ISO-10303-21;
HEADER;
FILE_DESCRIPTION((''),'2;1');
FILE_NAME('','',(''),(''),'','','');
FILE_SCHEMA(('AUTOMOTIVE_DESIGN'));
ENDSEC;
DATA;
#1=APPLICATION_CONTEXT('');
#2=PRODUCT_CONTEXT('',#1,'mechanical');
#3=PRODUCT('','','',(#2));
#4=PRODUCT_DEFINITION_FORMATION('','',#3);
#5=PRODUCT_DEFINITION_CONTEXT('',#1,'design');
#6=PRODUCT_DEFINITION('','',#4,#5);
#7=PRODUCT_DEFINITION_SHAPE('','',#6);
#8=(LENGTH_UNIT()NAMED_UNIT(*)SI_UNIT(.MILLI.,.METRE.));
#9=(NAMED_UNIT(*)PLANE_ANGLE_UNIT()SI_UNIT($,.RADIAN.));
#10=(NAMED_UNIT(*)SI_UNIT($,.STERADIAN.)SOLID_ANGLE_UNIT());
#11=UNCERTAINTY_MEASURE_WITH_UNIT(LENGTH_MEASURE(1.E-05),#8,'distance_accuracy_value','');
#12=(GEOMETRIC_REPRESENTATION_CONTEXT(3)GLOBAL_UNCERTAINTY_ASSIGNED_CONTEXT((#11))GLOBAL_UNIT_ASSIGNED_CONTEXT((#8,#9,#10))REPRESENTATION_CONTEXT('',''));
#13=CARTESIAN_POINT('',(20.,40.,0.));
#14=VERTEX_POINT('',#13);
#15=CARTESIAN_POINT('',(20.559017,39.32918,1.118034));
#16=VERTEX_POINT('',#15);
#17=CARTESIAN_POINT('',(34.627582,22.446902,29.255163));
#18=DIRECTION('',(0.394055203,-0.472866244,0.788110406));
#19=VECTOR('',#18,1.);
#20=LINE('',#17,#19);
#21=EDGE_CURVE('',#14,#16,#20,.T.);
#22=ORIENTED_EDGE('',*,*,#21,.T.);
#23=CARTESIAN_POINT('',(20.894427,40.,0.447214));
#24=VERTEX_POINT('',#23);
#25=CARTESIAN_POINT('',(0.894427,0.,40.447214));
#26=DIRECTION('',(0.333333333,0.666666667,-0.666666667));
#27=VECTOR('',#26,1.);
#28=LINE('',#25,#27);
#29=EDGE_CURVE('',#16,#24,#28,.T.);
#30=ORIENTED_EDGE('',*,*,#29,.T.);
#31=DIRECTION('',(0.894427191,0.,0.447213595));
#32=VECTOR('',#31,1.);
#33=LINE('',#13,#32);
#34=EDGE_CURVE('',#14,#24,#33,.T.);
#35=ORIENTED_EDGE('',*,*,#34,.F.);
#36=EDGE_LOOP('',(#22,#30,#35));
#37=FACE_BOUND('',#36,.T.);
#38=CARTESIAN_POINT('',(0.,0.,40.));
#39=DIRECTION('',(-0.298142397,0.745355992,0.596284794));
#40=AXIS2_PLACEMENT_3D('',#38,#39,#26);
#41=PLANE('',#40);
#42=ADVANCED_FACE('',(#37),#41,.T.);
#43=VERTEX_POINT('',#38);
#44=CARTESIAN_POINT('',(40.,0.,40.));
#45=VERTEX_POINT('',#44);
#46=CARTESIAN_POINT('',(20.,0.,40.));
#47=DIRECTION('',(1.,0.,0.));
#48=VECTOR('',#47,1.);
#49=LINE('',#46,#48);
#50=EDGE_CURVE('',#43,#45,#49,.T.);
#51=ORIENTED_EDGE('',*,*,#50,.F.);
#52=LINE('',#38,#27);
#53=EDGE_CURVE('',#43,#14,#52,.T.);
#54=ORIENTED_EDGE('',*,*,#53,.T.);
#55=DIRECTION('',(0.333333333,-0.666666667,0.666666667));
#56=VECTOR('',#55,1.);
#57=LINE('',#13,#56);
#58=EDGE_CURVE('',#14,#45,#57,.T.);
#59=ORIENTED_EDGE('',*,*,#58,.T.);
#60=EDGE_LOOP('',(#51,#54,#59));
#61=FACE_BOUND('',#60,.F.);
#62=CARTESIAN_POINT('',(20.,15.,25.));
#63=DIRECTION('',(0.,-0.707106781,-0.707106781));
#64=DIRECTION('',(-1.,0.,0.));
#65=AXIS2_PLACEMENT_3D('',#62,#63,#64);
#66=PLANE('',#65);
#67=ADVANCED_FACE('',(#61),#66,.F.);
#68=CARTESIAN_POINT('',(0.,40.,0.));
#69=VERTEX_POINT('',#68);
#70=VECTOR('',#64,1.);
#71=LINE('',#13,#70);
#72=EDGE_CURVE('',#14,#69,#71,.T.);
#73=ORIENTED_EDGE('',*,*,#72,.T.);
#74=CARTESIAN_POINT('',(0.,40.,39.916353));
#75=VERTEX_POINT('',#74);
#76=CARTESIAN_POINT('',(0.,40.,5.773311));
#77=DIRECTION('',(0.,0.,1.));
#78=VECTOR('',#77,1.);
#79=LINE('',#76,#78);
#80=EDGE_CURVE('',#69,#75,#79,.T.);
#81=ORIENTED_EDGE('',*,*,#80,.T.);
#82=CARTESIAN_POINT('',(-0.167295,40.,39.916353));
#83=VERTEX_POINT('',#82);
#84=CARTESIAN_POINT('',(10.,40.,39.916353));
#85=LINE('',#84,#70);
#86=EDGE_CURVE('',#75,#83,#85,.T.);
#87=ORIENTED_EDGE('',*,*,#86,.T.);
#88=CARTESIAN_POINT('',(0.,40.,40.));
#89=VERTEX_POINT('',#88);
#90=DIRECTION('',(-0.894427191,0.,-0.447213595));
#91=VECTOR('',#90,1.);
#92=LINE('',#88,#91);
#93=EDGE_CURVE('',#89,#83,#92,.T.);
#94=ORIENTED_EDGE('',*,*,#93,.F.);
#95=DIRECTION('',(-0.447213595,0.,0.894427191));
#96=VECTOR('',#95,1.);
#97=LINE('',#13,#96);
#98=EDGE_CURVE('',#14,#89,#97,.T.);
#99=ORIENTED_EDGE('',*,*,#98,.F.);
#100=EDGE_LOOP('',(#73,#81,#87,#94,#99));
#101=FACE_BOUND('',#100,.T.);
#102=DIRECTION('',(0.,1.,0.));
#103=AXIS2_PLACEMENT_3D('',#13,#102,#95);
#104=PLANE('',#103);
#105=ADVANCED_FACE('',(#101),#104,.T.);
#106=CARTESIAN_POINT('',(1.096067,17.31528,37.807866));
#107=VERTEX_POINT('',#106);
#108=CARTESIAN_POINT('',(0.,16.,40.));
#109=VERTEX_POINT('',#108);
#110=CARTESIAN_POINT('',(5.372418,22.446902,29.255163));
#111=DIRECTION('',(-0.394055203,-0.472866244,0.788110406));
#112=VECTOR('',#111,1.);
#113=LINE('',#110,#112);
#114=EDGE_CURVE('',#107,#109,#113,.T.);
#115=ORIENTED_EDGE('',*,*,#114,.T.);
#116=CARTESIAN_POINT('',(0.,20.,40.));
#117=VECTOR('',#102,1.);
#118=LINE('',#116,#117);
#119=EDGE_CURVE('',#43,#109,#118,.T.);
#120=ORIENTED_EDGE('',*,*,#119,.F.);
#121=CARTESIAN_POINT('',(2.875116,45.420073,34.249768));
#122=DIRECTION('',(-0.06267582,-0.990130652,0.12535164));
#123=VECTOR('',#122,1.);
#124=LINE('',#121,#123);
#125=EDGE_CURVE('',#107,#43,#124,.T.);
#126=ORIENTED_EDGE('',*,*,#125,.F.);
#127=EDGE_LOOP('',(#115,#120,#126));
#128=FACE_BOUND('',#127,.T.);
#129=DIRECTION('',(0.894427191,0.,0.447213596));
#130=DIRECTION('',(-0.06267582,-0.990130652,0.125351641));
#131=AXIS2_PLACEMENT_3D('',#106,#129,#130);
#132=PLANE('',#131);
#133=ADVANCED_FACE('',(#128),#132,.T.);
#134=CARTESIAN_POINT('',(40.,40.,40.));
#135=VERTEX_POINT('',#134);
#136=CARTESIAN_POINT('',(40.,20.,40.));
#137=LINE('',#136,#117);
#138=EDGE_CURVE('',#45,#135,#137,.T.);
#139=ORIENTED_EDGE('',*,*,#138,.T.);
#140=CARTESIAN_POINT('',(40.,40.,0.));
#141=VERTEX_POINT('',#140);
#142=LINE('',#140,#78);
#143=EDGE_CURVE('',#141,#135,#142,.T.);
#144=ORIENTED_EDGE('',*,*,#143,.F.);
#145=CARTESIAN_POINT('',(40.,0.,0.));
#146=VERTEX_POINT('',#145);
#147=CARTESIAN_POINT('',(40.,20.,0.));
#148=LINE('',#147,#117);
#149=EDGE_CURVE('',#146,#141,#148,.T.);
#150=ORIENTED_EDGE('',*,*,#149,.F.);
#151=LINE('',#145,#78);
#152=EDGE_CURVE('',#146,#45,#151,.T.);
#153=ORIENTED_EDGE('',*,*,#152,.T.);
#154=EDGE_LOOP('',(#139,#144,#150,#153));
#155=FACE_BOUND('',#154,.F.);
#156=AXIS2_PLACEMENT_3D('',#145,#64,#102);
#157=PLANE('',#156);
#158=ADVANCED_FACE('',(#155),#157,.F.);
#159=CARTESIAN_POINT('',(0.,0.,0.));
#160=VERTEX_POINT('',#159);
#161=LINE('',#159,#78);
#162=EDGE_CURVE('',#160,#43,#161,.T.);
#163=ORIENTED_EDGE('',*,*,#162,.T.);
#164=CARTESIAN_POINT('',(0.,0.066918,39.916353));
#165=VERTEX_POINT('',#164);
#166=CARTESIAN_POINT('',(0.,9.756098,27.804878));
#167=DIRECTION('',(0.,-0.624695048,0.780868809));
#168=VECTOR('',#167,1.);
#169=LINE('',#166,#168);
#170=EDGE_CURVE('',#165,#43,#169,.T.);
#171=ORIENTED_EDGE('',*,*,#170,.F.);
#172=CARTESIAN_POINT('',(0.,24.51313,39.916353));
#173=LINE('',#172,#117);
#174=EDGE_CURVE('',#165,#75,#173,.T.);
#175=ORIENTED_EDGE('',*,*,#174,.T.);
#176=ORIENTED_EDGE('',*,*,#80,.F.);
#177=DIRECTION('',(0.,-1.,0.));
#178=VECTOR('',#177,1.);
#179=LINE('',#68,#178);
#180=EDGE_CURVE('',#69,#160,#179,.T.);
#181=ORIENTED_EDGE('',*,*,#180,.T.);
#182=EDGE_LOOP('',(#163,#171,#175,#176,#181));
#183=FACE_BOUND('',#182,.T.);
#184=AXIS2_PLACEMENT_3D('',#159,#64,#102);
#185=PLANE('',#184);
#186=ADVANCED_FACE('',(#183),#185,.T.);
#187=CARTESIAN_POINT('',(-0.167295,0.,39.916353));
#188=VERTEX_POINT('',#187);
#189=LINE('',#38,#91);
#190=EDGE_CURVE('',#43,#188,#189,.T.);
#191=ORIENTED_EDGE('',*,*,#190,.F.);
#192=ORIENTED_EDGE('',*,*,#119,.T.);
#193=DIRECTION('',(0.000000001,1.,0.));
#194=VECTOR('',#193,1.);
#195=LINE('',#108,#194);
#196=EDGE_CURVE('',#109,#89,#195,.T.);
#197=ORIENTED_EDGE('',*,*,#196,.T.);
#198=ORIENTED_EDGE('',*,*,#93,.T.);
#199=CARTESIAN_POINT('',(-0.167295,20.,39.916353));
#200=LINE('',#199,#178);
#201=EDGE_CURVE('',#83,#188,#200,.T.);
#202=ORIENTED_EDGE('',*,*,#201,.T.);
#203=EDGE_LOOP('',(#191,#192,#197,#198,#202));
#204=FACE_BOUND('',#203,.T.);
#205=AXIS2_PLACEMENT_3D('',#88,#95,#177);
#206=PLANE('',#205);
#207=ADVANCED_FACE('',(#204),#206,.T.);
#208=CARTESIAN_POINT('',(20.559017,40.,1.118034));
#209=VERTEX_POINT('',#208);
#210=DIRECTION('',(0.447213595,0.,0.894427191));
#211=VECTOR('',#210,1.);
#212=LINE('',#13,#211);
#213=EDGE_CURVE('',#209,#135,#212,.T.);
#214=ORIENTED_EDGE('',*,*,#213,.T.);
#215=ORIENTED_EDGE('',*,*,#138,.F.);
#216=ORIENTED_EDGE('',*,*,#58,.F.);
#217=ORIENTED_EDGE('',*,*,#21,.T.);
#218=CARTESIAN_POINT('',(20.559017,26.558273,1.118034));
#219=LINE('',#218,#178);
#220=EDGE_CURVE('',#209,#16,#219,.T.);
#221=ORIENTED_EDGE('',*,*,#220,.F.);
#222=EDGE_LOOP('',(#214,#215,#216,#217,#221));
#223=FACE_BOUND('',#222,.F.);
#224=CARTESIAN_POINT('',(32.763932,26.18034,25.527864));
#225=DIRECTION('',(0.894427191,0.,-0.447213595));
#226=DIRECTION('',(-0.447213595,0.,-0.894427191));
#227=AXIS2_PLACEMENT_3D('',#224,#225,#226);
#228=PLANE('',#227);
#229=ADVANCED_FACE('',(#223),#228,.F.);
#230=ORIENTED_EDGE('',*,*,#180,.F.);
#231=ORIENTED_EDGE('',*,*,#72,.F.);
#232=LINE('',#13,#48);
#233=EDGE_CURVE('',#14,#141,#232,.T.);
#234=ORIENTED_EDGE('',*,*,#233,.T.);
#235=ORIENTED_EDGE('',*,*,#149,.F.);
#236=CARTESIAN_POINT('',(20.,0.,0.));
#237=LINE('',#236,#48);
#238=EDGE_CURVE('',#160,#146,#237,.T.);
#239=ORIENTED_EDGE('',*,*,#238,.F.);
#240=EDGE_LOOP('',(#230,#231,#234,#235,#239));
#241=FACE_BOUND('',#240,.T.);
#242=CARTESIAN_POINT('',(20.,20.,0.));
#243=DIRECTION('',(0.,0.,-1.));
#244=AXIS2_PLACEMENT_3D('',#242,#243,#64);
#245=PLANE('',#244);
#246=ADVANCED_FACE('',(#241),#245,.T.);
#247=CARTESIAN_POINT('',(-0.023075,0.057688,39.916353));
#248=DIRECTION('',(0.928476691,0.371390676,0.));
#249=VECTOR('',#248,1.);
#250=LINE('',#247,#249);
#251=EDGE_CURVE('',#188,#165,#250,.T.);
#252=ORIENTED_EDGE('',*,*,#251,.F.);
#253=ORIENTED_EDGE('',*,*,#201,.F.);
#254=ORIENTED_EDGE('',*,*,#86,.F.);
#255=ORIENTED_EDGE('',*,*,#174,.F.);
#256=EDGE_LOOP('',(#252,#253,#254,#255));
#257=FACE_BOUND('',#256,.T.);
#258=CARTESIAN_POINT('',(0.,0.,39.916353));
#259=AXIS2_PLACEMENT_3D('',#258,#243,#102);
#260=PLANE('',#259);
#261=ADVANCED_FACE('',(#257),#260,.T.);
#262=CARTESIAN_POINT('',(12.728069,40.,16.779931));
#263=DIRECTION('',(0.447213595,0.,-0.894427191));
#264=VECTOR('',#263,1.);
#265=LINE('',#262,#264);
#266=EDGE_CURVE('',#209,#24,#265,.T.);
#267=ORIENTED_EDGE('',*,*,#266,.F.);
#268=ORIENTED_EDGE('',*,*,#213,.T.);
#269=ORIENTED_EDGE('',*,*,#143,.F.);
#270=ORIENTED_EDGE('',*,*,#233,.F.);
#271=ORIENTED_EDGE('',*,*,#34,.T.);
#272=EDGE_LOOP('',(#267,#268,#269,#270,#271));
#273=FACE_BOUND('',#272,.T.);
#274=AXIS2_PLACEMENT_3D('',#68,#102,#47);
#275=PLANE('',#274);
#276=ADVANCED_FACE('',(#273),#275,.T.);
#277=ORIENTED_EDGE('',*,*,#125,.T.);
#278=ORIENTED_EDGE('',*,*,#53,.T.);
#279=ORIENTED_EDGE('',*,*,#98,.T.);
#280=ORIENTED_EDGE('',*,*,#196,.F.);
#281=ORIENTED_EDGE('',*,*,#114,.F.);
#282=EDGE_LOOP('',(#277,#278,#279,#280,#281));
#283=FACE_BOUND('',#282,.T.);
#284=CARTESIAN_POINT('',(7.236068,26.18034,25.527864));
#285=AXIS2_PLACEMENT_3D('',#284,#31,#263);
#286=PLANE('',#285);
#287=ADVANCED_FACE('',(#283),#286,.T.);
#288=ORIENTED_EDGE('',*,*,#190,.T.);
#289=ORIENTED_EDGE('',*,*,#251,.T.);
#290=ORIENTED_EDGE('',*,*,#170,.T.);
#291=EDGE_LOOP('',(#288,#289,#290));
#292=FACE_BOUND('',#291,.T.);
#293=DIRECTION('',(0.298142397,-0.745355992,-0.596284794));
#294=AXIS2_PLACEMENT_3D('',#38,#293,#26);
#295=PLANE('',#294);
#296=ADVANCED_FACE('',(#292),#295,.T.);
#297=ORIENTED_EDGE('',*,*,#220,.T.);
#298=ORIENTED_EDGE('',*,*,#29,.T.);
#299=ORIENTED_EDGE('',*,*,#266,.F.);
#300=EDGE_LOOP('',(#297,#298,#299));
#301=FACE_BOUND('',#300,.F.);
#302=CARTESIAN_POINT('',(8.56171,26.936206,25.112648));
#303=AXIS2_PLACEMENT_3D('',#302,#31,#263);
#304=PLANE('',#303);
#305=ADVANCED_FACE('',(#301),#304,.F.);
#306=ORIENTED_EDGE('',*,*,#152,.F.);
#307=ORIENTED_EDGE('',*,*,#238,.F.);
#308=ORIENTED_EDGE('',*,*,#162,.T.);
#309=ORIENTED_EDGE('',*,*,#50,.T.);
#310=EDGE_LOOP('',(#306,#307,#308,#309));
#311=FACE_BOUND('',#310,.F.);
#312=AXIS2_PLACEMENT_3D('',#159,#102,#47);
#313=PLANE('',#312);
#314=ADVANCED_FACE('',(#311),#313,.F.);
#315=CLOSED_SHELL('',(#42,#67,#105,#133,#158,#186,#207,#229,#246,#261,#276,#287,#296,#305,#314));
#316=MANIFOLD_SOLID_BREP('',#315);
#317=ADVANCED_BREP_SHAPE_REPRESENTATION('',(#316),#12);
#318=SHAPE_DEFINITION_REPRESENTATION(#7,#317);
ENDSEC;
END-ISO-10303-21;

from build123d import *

# Parameters (mm, degrees)
SKETCH1_W           = 40
SKETCH1_H           = 40
BOSS_EXTRUDE1_DEPTH = 40
CUT_EXTRUDE1_DEPTH  = 40
CUT_EXTRUDE3_DEPTH  = 40
CUT_EXTRUDE5_DEPTH  = 1
BOSS_EXTRUDE2_DEPTH = 26
CUT_EXTRUDE7_DEPTH  = 5
CUT_EXTRUDE8_DEPTH  = 5
CUT_EXTRUDE9_DEPTH  = 5
SKETCH10_W          = 40
SKETCH10_H          = 40
CUT_EXTRUDE10_DEPTH = 50
SKETCH11_W          = 56.739460666
SKETCH11_H          = 49.026259181
CUT_EXTRUDE11_DEPTH = 50


with BuildPart() as part:
    # Sketch1 → Boss-Extrude1 (new body)
    with BuildSketch(Plane.XY):
        with Locations((20, 20)):
            Rectangle(SKETCH1_W, SKETCH1_H)
    extrude(amount=BOSS_EXTRUDE1_DEPTH)

    # Sketch2 → Cut-Extrude1 (cut)
    with BuildSketch(Plane(origin=(0, 20, 20), x_dir=(1, 0, 0), z_dir=(0, 0.707106781, 0.707106781))):
        Polygon((40, -28.284271247), (0, -28.284271247), (20, 28.284271247), align=None)
    extrude(amount=CUT_EXTRUDE1_DEPTH, mode=Mode.SUBTRACT)

    # Sketch4 → Cut-Extrude3 (cut)
    with BuildSketch(Plane(origin=(16, 0, -8), x_dir=(0.447213595, 0, 0.894427191), z_dir=(-0.894427191, 0, 0.447213595))):
        Polygon((8.94427191, 40), (53.66563146, 40), (53.66563146, 0), align=None)
    extrude(amount=CUT_EXTRUDE3_DEPTH, mode=Mode.SUBTRACT)

    # Sketch5 → Cut-Extrude5 (cut)
    with BuildSketch(Plane(origin=(16, 0, 8), x_dir=(-0.447213595, 0, 0.894427191), z_dir=(-0.894427191, 0, -0.447213595))):
        Polygon((35.77708764, 0), (-8.94427191, 40), (29.348133104, 45.420073385), align=None)
    extrude(amount=-CUT_EXTRUDE5_DEPTH, mode=Mode.SUBTRACT)

    # Sketch6 → Boss-Extrude2 (add)
    with BuildSketch(Plane(origin=(16, 0, 8), x_dir=(-0.447213595, 0, 0.894427191), z_dir=(-0.894427191, 0, -0.447213595))):
        Polygon((35.77708764, 40), (35.77708764, 0), (-8.94427191, 40), align=None)
    extrude(amount=BOSS_EXTRUDE2_DEPTH)

    # Sketch7 → Cut-Extrude7 (cut)
    with BuildSketch(Plane(origin=(16, 0, 8), x_dir=(0.447213595, 0, -0.894427191), z_dir=(0.894427191, 0, 0.447213595))):
        Polygon((2.978893099, 34.664402987), (-35.77708764, 31.206354084), (-35.77708764, 16), (-33.326207642, 17.315280227), (-35.77708764, 0), align=None)
    extrude(amount=CUT_EXTRUDE7_DEPTH, mode=Mode.SUBTRACT)

    # Sketch8 → Cut-Extrude8 (cut)
    with BuildSketch(Plane(origin=(-15.685739325, 4.964580059, 31.37147865), x_dir=(-0.896620465, -0.069212396, -0.437357275), z_dir=(0.442799889, -0.140147395, -0.885599778))):
        Polygon((-21.749837593, 8.458308195), (-18.716733371, 11.192845531), (-17.494290991, -6.252250535), align=None)
    extrude(amount=-CUT_EXTRUDE8_DEPTH, mode=Mode.SUBTRACT)

    # Sketch9 → Cut-Extrude9 (cut)
    with BuildSketch(Plane(origin=(15.970902322, -3.85667421, 8.59577521), x_dir=(-0.450614766, 0.108815038, 0.88606186), z_dir=(-0.86130493, 0.207989032, -0.463567018))):
        Polygon((35.4424744, 15.010038766), (34.947973708, 15.305740233), (35.4424744, 0), align=None)
    extrude(amount=-CUT_EXTRUDE9_DEPTH, mode=Mode.SUBTRACT)

    # Sketch10 → Cut-Extrude10 (cut)
    with BuildSketch(Plane(origin=(0, 0, 0), x_dir=(-1, 0, 0), z_dir=(0, 0, -1))):
        with Locations((-20, 20)):
            Rectangle(SKETCH10_W, SKETCH10_H)
    extrude(amount=CUT_EXTRUDE10_DEPTH, mode=Mode.SUBTRACT)

    # Sketch11 → Cut-Extrude11 (cut)
    with BuildSketch(Plane.ZY):
        with Locations((11.546622416, 24.513129591)):
            Rectangle(SKETCH11_W, SKETCH11_H)
    extrude(amount=CUT_EXTRUDE11_DEPTH, mode=Mode.SUBTRACT)


solid = part.part
